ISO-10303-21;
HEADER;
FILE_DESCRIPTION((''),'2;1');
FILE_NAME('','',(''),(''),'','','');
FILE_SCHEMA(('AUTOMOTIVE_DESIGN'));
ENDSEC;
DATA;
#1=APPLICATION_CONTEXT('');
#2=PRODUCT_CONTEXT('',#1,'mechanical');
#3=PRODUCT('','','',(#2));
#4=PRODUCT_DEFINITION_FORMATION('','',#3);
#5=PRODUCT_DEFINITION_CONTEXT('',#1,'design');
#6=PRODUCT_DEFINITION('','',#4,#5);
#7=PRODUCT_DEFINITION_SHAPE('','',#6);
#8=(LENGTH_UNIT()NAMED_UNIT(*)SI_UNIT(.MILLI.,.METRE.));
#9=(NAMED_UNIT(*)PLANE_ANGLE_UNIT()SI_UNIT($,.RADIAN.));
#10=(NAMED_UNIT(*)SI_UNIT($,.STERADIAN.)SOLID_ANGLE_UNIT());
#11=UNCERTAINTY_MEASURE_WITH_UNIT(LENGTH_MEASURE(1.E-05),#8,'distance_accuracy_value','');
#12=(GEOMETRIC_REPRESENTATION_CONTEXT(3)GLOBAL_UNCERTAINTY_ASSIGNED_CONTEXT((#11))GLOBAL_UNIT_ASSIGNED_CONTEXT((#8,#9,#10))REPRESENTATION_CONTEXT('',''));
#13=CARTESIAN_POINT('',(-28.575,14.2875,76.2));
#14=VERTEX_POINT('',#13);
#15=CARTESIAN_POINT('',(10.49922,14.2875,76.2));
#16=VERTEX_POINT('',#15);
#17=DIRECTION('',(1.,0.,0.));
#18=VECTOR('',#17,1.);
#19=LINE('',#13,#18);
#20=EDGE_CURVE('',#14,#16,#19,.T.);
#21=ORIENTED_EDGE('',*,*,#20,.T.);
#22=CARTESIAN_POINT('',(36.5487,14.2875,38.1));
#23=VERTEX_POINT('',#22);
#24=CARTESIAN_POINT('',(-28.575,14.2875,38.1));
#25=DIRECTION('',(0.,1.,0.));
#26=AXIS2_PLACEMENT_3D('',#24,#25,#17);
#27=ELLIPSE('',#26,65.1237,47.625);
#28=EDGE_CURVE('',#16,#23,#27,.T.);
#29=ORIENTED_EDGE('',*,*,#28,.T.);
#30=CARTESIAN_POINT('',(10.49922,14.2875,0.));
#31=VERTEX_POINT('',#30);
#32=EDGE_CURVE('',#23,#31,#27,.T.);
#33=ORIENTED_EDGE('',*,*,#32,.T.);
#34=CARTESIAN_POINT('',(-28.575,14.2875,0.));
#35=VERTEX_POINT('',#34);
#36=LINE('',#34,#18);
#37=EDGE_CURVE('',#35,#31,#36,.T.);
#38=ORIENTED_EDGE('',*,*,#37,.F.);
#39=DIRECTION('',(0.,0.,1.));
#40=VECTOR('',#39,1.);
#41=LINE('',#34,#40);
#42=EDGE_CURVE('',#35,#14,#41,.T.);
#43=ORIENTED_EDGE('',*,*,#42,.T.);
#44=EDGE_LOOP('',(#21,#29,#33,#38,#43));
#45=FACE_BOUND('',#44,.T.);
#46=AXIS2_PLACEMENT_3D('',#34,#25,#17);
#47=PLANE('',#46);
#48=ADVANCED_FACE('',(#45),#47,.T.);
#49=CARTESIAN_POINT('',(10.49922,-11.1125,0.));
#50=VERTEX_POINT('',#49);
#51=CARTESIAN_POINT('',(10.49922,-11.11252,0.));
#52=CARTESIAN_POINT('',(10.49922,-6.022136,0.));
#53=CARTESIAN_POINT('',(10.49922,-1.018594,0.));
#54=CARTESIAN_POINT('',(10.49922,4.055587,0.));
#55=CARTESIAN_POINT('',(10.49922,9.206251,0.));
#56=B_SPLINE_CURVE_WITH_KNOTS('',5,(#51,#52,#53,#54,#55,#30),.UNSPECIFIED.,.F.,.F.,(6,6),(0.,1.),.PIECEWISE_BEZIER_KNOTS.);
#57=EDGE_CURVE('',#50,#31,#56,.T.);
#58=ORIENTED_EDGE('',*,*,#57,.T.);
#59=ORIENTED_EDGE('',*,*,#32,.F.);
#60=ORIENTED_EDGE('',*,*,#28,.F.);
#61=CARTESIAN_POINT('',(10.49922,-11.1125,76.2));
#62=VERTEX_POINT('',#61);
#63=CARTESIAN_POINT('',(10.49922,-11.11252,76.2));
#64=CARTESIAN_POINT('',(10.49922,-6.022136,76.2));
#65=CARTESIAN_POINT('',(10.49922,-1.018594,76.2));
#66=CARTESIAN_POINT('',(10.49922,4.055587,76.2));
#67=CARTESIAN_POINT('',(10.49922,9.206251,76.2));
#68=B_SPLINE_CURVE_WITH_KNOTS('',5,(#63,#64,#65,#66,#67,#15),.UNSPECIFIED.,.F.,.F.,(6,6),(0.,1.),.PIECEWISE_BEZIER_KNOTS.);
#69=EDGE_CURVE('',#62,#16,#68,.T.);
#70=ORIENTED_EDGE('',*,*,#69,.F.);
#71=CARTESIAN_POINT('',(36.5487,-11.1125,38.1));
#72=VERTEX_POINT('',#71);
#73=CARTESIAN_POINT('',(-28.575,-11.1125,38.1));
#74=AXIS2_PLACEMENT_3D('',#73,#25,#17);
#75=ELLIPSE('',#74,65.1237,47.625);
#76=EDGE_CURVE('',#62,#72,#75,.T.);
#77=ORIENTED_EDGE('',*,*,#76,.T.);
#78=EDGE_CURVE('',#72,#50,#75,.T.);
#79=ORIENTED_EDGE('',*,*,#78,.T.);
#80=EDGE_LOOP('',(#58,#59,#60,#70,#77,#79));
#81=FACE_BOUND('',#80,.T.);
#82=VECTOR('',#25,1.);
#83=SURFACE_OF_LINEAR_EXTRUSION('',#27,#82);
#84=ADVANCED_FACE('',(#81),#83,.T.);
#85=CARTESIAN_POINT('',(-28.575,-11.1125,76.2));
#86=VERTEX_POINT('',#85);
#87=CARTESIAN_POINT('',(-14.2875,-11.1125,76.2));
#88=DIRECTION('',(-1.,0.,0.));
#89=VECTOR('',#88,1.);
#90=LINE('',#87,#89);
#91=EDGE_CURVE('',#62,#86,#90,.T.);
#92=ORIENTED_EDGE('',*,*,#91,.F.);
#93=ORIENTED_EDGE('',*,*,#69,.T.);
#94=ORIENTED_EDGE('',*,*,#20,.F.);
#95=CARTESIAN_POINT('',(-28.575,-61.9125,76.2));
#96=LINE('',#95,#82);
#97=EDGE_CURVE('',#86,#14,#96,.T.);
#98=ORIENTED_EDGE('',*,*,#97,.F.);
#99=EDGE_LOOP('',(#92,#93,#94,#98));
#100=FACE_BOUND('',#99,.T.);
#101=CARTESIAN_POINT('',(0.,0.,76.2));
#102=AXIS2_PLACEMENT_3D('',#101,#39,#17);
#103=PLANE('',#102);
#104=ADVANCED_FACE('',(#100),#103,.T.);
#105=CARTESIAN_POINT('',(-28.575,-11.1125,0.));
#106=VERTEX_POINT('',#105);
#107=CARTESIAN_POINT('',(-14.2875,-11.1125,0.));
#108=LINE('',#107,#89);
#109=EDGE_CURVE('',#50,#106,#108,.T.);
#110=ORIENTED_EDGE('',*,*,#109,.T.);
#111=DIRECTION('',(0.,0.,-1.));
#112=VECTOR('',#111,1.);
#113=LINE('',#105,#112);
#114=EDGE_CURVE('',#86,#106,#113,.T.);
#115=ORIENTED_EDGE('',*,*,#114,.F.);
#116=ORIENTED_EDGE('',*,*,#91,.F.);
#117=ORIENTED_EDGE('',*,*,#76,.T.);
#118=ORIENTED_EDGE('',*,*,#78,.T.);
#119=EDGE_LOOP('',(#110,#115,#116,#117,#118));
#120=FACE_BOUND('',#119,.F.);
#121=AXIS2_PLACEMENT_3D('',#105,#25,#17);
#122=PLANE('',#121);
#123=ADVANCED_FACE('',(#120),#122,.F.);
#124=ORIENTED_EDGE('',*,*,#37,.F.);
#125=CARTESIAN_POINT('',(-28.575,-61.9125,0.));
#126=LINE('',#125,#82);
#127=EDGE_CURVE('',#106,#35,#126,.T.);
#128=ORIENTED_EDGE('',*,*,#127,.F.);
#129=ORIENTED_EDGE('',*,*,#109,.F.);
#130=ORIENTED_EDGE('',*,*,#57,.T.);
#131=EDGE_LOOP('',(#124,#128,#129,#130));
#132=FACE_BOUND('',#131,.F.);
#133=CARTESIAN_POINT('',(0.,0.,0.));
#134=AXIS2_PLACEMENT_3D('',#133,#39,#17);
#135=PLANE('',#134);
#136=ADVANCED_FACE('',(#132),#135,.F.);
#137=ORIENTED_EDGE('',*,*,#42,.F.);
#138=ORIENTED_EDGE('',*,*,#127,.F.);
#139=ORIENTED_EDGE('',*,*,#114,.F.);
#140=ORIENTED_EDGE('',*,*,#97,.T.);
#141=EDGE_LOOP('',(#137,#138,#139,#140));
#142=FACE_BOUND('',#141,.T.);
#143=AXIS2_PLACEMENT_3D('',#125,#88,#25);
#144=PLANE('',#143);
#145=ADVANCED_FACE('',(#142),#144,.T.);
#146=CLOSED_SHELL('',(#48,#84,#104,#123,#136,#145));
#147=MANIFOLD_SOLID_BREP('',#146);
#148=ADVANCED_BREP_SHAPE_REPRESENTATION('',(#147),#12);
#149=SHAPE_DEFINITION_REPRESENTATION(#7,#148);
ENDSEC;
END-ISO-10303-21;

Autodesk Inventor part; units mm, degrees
ref_plane "YZ Plane" through (0, 0, 0) normal (1, 0, 0) x (0, 1, 0)
ref_plane "XZ Plane" through (0, 0, 0) normal (0, 1, 0) x (-1, 0, 0)
ref_plane "XY Plane" through (0, 0, 0) normal (0, 0, 1) x (1, 0, 0)
sketch "Sketch1" plane through (0, 0, 0) normal (0, 0, 1) x (1, 0, 0)
  line L0 (-28.575, 14.2875) -> (47.625, 14.2875)
  line L1 (47.625, 14.2875) -> (47.625, -61.9125)
  line L2 (47.625, -61.9125) -> (-28.575, -61.9125)
  line L3 (-28.575, -61.9125) -> (-28.575, 14.2875)
  dimension "d0" = 76.2
  dimension "d1" = 76.2
extrude "Extrusion1" add sketch "Sketch1" along normal blind 76.2
sketch "Sketch2" plane through (-28.575, 14.2875, 0) normal (0, 1, 0) x (1, 0, 0)
  line L0 (0, 0) -> (0, -76.2) projected
  ellipse E0 centre (0, -38.1) end of major axis (0, -85.725) minor radius 65.1237
extrude "Extrusion3" cut sketch "Sketch2" against normal blind 25.4 keep common part
properties part number "Intersect"
